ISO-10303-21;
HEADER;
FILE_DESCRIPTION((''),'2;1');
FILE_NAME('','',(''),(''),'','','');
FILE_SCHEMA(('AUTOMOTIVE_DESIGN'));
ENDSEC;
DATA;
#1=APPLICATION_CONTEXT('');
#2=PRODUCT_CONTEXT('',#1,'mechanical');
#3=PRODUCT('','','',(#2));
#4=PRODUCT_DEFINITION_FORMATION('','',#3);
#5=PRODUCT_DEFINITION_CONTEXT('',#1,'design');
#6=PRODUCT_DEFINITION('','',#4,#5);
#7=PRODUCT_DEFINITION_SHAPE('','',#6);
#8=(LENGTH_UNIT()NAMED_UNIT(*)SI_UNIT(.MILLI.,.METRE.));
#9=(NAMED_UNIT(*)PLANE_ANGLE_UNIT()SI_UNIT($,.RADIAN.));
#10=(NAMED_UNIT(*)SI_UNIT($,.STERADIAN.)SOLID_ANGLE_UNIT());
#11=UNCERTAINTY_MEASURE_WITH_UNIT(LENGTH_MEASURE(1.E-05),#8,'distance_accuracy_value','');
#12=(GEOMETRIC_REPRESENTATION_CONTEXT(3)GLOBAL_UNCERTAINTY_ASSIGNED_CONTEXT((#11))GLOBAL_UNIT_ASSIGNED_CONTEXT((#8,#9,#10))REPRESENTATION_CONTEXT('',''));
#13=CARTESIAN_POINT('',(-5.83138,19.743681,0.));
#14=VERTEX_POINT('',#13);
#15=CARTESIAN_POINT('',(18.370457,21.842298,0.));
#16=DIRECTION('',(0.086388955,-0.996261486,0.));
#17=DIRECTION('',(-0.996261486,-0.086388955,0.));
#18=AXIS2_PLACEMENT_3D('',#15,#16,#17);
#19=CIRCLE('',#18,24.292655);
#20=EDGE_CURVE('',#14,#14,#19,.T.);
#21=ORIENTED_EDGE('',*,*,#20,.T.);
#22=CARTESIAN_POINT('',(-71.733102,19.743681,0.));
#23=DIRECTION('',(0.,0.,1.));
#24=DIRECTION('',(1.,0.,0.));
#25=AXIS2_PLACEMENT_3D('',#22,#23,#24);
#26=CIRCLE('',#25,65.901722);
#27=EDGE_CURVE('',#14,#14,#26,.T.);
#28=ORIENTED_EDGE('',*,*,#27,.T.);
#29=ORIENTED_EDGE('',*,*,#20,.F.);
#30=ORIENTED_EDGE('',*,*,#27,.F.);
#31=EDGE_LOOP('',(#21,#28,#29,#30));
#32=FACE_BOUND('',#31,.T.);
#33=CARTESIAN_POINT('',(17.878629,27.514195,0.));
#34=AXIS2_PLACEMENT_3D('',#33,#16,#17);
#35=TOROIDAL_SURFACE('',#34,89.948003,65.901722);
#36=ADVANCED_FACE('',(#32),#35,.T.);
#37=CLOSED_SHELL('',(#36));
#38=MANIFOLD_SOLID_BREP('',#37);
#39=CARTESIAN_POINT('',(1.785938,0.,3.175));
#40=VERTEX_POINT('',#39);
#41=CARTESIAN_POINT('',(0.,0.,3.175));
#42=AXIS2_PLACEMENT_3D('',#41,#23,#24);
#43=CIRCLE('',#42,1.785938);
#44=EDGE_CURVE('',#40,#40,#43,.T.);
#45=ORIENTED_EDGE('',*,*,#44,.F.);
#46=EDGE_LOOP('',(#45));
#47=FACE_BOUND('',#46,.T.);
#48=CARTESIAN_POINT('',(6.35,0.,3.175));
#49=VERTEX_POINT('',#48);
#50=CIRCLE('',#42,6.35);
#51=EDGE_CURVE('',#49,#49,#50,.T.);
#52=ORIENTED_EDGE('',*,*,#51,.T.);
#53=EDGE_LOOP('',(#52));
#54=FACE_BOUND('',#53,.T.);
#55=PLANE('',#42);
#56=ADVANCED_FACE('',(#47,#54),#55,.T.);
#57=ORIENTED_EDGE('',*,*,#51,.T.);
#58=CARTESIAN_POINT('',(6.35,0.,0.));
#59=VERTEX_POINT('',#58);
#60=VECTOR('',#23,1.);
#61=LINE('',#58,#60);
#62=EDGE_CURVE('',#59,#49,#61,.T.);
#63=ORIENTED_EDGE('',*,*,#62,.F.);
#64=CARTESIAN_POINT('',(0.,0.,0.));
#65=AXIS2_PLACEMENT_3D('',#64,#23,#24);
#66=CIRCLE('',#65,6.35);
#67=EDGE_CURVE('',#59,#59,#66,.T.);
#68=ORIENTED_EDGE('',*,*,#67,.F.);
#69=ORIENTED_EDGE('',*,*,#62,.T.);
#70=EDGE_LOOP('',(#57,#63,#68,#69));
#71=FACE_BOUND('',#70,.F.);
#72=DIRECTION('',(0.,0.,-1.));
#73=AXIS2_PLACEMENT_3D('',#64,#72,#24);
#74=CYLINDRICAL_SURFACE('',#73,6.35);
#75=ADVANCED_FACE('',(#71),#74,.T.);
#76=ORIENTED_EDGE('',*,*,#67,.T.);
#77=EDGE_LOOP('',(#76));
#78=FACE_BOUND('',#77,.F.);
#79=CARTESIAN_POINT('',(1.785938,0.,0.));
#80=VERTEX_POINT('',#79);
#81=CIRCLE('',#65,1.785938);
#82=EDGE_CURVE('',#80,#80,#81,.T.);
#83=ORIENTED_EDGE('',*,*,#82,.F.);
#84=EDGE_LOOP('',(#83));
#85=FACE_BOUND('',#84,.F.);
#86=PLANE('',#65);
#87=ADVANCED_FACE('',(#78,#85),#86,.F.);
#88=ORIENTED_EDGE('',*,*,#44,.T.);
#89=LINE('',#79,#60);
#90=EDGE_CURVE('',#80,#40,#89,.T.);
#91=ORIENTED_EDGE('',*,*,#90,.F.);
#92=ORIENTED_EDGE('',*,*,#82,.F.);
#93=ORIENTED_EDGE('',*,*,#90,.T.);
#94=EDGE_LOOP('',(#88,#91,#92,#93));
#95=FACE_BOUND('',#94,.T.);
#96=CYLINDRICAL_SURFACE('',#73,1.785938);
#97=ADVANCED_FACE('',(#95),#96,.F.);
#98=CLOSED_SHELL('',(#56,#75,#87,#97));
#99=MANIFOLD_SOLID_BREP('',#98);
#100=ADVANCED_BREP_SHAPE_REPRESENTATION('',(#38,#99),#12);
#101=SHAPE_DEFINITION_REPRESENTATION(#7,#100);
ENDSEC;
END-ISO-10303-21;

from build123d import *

# Parameters (mm, degrees)
F0_R     = 6.35
F0_R_2   = 1.785938
F1_DEPTH = 3.175
F2_R     = 65.901722


with BuildPart() as f1:
    # F0 (on Top) → F1 (new body)
    with BuildSketch(Plane.XY):
        Circle(F0_R)
        Circle(F0_R_2, mode=Mode.SUBTRACT)
    extrude(amount=F1_DEPTH)


with BuildPart() as f3:
    # F2 (on Top) → F3 (revolve)
    with BuildSketch(Plane.XY):
        with Locations((-71.733102, 19.743681)):
            Circle(F2_R)
    revolve(axis=Axis((16.442643, 44.074384, 0), (0.086389, -0.996262, 0)))


solid = Compound([f1.part, f3.part])
